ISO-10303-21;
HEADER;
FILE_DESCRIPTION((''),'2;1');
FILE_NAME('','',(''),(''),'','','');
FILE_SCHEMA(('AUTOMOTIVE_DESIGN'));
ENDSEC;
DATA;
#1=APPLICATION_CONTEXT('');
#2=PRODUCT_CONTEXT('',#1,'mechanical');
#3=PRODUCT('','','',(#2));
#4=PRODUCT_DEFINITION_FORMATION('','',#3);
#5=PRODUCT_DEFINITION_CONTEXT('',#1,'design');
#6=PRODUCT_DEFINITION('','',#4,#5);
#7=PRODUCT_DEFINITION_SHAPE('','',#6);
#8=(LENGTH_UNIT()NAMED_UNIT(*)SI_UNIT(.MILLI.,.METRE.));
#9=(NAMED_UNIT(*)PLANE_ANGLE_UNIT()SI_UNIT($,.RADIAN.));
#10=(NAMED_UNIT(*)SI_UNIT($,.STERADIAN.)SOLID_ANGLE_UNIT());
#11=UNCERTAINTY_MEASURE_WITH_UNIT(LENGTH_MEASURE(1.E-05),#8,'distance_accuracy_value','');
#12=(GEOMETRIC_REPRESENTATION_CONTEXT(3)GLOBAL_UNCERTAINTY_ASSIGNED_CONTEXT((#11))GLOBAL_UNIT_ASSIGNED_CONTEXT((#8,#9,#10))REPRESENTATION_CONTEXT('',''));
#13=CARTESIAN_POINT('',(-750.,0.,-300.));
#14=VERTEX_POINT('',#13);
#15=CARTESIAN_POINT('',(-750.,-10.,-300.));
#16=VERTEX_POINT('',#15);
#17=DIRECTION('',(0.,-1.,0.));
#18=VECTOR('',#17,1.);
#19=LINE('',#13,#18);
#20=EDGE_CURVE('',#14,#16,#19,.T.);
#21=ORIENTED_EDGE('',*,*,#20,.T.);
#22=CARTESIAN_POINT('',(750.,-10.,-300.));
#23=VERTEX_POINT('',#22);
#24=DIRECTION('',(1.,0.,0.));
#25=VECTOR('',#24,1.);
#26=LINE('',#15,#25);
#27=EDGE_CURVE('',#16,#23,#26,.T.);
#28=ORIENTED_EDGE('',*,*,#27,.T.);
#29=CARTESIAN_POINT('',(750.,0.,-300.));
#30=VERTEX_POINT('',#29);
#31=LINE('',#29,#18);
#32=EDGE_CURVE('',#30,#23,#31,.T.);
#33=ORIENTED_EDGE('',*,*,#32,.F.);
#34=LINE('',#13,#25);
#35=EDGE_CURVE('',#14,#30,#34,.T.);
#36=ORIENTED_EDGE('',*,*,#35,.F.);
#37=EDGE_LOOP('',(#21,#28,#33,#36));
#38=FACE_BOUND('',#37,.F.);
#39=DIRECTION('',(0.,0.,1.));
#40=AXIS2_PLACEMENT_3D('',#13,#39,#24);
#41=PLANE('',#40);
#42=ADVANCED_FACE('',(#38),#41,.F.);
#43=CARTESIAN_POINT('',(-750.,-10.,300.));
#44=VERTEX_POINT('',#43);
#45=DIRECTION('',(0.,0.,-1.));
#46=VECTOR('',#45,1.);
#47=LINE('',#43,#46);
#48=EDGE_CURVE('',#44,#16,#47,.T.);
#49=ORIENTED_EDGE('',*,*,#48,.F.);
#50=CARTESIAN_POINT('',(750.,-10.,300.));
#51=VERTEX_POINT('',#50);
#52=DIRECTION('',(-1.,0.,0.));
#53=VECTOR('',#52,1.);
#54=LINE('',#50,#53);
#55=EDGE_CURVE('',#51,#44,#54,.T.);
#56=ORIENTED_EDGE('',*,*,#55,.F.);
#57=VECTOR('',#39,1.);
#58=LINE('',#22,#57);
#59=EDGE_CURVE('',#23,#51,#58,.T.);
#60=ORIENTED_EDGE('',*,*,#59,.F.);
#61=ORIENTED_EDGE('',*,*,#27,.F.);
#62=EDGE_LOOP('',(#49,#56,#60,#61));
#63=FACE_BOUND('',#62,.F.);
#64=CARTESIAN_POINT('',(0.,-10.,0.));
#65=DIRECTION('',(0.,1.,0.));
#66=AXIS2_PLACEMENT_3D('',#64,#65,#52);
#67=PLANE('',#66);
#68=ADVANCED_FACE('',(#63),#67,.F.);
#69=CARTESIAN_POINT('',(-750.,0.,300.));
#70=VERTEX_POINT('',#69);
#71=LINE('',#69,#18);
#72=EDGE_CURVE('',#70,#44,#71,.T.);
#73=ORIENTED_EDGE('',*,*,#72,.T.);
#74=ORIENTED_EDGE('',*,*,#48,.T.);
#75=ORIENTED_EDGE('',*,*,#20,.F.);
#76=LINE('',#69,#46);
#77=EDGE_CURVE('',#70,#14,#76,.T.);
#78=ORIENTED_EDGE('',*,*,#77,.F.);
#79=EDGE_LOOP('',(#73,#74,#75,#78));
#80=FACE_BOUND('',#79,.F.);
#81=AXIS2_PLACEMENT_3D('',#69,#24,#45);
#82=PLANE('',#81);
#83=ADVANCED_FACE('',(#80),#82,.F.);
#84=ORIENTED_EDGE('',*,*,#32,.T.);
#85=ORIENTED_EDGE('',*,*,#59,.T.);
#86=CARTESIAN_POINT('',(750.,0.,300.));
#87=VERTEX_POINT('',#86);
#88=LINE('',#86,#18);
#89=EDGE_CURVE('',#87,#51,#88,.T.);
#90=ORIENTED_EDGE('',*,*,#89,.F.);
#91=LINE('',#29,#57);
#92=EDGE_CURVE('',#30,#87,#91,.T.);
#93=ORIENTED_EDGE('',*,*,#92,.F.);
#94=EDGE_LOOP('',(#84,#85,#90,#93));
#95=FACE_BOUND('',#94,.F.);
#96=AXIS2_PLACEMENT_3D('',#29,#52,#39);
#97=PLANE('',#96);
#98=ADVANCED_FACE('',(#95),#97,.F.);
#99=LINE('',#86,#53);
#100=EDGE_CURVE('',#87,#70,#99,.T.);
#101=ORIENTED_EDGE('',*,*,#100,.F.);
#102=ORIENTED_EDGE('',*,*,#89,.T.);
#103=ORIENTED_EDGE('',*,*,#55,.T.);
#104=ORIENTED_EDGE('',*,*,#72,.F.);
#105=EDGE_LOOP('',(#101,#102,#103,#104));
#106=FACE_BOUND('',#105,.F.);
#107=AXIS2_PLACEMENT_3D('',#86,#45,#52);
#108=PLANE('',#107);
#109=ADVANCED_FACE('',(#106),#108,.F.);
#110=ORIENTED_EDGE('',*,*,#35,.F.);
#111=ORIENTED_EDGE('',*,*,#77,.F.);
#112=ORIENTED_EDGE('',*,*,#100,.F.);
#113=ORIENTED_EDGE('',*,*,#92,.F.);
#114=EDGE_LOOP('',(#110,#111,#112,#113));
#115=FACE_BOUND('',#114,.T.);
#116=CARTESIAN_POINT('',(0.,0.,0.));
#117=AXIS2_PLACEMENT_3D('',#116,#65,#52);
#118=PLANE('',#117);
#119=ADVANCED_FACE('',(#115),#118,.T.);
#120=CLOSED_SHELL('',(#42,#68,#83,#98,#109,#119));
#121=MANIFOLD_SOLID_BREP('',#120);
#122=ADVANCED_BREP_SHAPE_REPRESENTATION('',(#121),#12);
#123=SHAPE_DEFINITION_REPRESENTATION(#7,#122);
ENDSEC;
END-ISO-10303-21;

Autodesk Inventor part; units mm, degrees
ref_plane "YZ Plane" through (0, 0, 0) normal (1, 0, 0) x (0, 1, 0)
ref_plane "XZ Plane" through (0, 0, 0) normal (0, 1, 0) x (-1, 0, 0)
ref_plane "XY Plane" through (0, 0, 0) normal (0, 0, 1) x (1, 0, 0)
sketch "Sketch1" plane through (0, 0, 0) normal (0, 1, 0) x (-1, 0, 0)
  line L0 (750, -300) -> (-750, -300)
  line L1 (-750, -300) -> (-750, 300)
  line L2 (-750, 300) -> (750, 300)
  line L3 (750, 300) -> (750, -300)
  line L4 (750, -300) -> (-750, 300) construction
  line L5 (-750, -300) -> (750, 300) construction
  point P0 (0, 0)
  dimension "d0" = 1500
  dimension "d1" = 600
extrude "Extrusion1" add sketch "Sketch1" against normal blind 10
sketch3d "3D Sketch1"
equation "\"d6\" = d5"
equation "\"d10\" = 0.333333 * d9"
equation "\"d11\" = d10"
equation "\"d16\" = d10"
equation "\"d17\" = d10"
equation "\"d22\" = d11"
equation "\"d23\" = d10"
equation "\"d5\" = 800"
equation "\"d9\" = 1500"
properties part number "roller conveyor 1"
